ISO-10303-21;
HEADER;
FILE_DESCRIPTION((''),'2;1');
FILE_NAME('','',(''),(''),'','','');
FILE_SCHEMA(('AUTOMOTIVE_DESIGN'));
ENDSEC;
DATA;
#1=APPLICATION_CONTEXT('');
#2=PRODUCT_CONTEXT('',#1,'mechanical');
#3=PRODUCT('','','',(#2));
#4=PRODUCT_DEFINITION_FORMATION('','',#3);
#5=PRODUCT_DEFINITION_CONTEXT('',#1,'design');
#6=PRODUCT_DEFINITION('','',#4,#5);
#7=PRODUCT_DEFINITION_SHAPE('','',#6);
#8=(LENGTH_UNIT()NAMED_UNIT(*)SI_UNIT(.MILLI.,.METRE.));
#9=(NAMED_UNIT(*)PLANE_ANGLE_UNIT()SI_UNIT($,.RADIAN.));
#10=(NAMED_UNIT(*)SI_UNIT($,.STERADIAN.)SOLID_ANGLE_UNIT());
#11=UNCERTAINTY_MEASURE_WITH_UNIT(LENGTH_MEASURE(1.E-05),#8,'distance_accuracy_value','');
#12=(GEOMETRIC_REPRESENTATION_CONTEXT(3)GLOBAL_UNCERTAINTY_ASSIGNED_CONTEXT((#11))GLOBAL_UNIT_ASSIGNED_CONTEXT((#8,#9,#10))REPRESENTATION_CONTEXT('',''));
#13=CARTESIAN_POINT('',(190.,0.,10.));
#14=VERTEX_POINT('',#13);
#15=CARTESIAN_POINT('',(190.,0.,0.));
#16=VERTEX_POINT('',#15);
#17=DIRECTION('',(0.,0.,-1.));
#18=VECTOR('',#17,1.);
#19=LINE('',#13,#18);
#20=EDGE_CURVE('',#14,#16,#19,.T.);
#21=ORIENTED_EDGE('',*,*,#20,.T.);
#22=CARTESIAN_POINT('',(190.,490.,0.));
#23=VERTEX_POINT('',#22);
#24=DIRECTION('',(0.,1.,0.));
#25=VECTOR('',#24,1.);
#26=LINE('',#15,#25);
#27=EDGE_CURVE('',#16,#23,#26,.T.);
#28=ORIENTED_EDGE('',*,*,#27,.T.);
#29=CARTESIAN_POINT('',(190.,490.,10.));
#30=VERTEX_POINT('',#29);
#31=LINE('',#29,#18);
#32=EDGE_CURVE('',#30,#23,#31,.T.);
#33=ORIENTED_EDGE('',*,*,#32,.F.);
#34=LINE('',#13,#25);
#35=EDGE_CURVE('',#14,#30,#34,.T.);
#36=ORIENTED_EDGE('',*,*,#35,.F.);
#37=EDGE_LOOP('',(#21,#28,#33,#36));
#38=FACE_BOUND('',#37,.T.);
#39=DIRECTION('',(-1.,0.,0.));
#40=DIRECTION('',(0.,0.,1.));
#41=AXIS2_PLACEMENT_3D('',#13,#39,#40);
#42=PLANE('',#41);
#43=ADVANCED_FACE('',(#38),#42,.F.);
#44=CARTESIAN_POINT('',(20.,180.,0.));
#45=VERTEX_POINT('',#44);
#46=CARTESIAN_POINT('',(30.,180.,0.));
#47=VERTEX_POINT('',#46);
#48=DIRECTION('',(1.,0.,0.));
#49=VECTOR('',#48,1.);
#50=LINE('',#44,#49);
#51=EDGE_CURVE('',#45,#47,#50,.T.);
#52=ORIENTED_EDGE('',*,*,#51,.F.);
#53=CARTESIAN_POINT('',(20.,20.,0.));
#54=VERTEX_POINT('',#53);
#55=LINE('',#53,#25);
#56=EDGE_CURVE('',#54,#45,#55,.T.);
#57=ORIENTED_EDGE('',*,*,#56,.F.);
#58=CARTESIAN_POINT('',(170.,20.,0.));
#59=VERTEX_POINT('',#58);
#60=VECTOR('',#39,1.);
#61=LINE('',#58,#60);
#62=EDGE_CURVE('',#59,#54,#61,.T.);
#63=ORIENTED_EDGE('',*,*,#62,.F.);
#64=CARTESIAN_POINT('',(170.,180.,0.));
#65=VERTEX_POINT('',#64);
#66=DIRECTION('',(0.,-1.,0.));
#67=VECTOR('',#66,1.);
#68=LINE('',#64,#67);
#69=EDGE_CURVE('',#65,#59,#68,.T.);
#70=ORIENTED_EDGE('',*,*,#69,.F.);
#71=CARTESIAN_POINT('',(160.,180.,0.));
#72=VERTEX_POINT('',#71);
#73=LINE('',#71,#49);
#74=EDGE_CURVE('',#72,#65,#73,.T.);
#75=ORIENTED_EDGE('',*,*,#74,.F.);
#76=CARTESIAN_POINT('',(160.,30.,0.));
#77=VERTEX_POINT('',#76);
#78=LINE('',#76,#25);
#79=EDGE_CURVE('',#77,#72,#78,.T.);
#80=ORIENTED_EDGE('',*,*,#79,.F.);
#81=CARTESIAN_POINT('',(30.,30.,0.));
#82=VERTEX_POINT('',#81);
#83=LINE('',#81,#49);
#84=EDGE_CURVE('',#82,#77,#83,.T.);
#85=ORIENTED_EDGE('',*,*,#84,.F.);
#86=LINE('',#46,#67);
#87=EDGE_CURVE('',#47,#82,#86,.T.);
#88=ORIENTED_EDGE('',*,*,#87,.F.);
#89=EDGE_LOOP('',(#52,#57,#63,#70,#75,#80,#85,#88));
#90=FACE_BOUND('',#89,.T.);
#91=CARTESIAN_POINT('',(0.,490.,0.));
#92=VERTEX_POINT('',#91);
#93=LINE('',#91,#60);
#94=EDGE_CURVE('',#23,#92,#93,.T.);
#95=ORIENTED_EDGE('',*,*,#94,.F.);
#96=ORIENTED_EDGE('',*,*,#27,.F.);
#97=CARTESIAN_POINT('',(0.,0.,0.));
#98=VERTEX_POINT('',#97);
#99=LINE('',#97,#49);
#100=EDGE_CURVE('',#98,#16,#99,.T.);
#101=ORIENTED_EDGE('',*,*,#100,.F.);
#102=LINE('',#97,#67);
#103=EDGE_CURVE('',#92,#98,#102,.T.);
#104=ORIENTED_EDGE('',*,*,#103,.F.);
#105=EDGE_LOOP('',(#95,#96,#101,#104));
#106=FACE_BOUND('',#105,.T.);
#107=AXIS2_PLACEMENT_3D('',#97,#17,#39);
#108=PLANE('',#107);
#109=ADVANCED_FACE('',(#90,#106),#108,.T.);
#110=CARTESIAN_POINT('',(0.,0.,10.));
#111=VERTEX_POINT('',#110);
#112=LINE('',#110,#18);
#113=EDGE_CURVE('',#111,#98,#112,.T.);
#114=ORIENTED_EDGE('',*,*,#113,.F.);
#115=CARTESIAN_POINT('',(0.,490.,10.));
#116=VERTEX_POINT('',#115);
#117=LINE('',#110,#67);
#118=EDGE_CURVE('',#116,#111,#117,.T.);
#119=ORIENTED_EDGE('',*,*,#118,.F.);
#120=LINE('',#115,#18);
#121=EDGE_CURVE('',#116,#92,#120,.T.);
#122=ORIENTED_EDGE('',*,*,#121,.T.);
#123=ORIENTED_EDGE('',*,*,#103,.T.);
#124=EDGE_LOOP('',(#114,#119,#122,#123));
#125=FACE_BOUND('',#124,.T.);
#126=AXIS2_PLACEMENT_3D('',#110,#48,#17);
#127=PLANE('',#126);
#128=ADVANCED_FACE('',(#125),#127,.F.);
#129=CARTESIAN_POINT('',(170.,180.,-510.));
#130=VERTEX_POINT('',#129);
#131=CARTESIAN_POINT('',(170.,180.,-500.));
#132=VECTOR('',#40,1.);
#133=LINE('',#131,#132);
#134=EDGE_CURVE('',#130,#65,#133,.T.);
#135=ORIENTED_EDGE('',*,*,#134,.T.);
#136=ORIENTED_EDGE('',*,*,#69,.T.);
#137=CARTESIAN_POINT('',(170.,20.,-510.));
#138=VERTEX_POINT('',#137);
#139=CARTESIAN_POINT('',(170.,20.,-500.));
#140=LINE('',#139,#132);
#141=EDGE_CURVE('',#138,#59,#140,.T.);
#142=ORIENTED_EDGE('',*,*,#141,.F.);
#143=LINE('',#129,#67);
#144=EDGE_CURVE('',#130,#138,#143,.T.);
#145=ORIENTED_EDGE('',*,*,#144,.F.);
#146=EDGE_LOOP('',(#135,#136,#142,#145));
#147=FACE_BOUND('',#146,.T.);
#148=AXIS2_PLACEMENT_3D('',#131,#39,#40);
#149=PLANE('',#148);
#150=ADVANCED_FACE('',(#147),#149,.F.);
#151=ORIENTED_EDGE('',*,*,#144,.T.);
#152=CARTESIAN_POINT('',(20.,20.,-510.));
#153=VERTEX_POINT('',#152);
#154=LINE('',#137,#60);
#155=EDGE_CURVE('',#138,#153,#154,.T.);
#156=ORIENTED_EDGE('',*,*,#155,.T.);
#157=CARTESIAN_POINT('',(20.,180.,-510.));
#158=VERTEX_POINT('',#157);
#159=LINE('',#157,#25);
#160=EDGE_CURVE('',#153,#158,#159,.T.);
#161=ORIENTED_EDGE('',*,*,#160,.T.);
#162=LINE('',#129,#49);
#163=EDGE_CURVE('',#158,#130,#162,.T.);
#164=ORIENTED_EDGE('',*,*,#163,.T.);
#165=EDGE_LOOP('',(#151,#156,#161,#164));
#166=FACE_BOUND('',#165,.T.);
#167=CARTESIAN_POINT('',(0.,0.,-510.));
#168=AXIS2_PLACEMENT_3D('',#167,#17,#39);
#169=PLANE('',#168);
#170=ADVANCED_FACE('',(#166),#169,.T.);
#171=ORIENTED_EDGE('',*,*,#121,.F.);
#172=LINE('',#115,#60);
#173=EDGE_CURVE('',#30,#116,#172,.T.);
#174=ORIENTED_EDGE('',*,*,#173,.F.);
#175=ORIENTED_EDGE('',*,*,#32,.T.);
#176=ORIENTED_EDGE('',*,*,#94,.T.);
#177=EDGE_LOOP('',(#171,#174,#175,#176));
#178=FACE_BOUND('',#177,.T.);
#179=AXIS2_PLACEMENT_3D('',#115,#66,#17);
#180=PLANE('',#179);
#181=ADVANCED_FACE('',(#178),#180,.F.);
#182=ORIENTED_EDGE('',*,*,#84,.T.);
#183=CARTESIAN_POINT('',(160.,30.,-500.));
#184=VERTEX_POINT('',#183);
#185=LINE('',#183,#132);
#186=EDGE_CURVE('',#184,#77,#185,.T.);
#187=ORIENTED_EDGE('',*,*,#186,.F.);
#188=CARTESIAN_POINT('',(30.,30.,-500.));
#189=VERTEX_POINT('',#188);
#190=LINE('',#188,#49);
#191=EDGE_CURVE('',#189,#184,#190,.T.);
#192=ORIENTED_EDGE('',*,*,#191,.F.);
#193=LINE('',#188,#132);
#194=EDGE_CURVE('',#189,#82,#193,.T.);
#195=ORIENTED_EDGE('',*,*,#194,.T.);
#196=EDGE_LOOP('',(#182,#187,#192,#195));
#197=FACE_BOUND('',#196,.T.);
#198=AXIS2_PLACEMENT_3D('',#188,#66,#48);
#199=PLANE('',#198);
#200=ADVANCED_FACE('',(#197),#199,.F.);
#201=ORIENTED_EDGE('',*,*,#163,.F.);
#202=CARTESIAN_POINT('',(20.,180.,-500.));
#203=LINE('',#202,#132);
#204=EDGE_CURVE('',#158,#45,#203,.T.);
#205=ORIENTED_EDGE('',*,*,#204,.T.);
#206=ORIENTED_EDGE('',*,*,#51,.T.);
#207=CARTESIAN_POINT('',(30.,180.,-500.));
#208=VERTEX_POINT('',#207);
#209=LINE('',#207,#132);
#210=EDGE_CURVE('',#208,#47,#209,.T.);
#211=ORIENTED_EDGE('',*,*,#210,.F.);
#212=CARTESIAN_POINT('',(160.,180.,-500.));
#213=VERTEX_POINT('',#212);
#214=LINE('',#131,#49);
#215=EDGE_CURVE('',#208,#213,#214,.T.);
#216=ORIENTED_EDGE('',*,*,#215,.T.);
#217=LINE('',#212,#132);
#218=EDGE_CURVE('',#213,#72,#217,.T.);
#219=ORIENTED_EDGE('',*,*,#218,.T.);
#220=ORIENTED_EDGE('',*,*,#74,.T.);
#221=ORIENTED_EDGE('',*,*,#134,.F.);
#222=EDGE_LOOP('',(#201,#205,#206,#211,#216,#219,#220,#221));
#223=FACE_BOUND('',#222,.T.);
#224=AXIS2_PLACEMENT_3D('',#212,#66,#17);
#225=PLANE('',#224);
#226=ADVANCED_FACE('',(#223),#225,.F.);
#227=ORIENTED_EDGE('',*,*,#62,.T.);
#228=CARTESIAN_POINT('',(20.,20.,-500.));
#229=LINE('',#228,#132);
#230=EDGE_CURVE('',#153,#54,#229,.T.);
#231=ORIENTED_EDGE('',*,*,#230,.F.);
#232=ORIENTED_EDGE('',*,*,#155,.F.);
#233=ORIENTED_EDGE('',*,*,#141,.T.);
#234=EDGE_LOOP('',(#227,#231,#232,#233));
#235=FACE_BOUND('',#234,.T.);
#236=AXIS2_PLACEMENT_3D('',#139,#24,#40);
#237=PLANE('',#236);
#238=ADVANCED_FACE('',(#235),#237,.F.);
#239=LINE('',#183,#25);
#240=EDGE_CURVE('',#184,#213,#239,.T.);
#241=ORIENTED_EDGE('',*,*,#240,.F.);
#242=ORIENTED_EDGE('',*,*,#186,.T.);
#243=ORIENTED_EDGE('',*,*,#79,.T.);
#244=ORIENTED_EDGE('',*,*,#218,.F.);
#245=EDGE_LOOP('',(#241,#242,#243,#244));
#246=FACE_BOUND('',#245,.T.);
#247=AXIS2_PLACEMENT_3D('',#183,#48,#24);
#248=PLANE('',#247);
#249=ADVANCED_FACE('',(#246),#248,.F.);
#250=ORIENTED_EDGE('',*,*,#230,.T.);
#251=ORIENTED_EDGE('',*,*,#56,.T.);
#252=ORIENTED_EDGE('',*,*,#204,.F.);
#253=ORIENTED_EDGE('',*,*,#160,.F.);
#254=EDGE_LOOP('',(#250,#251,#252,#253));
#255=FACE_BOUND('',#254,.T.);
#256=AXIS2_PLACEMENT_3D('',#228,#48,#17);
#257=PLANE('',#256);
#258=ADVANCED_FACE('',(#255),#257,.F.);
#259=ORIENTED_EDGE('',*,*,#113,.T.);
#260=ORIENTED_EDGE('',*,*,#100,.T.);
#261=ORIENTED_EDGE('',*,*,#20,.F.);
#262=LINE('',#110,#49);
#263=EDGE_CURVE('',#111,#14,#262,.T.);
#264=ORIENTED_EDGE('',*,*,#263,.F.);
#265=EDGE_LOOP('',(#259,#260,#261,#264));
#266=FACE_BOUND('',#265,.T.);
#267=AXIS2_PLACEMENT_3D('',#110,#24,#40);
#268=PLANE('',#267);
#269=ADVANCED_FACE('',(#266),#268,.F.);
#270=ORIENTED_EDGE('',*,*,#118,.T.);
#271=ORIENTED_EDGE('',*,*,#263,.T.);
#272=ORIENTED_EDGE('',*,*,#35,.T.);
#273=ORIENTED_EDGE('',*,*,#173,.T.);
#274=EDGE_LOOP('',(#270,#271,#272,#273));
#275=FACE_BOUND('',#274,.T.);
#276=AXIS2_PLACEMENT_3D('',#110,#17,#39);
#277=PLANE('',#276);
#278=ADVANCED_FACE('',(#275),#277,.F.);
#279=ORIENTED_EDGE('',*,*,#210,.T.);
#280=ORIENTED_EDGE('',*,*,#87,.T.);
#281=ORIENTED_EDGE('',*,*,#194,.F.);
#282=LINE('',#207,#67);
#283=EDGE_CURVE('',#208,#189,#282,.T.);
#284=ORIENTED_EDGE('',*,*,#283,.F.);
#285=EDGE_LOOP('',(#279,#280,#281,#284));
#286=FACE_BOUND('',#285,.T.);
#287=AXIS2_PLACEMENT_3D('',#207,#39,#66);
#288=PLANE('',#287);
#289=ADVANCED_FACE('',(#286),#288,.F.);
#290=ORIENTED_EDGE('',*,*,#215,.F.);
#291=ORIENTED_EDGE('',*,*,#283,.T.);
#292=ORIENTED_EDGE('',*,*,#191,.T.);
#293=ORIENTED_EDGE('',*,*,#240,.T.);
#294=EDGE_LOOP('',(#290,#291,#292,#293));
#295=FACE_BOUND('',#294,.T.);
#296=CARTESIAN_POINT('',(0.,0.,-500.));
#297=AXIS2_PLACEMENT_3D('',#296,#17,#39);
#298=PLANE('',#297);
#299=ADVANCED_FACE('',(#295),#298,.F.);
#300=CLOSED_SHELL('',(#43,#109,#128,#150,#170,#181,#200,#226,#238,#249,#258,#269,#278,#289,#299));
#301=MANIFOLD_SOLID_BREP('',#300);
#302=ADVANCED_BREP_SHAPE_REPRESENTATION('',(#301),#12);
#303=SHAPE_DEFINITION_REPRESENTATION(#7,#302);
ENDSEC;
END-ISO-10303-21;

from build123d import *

# Parameters (mm, degrees)
SKETCH_1_W      = 190
SKETCH_1_H      = 490
EXTRUDE_1_DEPTH = 10
EXTRUDE_2_DEPTH = 500
SKETCH_3_W      = 150
SKETCH_3_H      = 160
EXTRUDE_3_DEPTH = 10


with BuildPart() as part:
    # Эскиз1 → Бобышка-Вытянуть1 (new body)
    with BuildSketch(Plane.XY):
        with Locations((95, 245)):
            Rectangle(SKETCH_1_W, SKETCH_1_H)
    extrude(amount=EXTRUDE_1_DEPTH)

    # Эскиз2 → Бобышка-Вытянуть2 (add)
    with BuildSketch(Plane(origin=(0, 0, 0), x_dir=(-1, 0, 0), z_dir=(0, 0, -1))):
        Polygon((-170, 180), (-170, 20), (-20, 20), (-20, 180), (-30, 180), (-30, 30), (-160, 30), (-160, 180), align=None)
    extrude(amount=EXTRUDE_2_DEPTH)

    # Эскиз3 → Бобышка-Вытянуть3 (add)
    with BuildSketch(Plane(origin=(0, 0, -500), x_dir=(-1, 0, 0), z_dir=(0, 0, -1))):
        with Locations((-95, 100)):
            Rectangle(SKETCH_3_W, SKETCH_3_H)
    extrude(amount=EXTRUDE_3_DEPTH)


solid = part.part
